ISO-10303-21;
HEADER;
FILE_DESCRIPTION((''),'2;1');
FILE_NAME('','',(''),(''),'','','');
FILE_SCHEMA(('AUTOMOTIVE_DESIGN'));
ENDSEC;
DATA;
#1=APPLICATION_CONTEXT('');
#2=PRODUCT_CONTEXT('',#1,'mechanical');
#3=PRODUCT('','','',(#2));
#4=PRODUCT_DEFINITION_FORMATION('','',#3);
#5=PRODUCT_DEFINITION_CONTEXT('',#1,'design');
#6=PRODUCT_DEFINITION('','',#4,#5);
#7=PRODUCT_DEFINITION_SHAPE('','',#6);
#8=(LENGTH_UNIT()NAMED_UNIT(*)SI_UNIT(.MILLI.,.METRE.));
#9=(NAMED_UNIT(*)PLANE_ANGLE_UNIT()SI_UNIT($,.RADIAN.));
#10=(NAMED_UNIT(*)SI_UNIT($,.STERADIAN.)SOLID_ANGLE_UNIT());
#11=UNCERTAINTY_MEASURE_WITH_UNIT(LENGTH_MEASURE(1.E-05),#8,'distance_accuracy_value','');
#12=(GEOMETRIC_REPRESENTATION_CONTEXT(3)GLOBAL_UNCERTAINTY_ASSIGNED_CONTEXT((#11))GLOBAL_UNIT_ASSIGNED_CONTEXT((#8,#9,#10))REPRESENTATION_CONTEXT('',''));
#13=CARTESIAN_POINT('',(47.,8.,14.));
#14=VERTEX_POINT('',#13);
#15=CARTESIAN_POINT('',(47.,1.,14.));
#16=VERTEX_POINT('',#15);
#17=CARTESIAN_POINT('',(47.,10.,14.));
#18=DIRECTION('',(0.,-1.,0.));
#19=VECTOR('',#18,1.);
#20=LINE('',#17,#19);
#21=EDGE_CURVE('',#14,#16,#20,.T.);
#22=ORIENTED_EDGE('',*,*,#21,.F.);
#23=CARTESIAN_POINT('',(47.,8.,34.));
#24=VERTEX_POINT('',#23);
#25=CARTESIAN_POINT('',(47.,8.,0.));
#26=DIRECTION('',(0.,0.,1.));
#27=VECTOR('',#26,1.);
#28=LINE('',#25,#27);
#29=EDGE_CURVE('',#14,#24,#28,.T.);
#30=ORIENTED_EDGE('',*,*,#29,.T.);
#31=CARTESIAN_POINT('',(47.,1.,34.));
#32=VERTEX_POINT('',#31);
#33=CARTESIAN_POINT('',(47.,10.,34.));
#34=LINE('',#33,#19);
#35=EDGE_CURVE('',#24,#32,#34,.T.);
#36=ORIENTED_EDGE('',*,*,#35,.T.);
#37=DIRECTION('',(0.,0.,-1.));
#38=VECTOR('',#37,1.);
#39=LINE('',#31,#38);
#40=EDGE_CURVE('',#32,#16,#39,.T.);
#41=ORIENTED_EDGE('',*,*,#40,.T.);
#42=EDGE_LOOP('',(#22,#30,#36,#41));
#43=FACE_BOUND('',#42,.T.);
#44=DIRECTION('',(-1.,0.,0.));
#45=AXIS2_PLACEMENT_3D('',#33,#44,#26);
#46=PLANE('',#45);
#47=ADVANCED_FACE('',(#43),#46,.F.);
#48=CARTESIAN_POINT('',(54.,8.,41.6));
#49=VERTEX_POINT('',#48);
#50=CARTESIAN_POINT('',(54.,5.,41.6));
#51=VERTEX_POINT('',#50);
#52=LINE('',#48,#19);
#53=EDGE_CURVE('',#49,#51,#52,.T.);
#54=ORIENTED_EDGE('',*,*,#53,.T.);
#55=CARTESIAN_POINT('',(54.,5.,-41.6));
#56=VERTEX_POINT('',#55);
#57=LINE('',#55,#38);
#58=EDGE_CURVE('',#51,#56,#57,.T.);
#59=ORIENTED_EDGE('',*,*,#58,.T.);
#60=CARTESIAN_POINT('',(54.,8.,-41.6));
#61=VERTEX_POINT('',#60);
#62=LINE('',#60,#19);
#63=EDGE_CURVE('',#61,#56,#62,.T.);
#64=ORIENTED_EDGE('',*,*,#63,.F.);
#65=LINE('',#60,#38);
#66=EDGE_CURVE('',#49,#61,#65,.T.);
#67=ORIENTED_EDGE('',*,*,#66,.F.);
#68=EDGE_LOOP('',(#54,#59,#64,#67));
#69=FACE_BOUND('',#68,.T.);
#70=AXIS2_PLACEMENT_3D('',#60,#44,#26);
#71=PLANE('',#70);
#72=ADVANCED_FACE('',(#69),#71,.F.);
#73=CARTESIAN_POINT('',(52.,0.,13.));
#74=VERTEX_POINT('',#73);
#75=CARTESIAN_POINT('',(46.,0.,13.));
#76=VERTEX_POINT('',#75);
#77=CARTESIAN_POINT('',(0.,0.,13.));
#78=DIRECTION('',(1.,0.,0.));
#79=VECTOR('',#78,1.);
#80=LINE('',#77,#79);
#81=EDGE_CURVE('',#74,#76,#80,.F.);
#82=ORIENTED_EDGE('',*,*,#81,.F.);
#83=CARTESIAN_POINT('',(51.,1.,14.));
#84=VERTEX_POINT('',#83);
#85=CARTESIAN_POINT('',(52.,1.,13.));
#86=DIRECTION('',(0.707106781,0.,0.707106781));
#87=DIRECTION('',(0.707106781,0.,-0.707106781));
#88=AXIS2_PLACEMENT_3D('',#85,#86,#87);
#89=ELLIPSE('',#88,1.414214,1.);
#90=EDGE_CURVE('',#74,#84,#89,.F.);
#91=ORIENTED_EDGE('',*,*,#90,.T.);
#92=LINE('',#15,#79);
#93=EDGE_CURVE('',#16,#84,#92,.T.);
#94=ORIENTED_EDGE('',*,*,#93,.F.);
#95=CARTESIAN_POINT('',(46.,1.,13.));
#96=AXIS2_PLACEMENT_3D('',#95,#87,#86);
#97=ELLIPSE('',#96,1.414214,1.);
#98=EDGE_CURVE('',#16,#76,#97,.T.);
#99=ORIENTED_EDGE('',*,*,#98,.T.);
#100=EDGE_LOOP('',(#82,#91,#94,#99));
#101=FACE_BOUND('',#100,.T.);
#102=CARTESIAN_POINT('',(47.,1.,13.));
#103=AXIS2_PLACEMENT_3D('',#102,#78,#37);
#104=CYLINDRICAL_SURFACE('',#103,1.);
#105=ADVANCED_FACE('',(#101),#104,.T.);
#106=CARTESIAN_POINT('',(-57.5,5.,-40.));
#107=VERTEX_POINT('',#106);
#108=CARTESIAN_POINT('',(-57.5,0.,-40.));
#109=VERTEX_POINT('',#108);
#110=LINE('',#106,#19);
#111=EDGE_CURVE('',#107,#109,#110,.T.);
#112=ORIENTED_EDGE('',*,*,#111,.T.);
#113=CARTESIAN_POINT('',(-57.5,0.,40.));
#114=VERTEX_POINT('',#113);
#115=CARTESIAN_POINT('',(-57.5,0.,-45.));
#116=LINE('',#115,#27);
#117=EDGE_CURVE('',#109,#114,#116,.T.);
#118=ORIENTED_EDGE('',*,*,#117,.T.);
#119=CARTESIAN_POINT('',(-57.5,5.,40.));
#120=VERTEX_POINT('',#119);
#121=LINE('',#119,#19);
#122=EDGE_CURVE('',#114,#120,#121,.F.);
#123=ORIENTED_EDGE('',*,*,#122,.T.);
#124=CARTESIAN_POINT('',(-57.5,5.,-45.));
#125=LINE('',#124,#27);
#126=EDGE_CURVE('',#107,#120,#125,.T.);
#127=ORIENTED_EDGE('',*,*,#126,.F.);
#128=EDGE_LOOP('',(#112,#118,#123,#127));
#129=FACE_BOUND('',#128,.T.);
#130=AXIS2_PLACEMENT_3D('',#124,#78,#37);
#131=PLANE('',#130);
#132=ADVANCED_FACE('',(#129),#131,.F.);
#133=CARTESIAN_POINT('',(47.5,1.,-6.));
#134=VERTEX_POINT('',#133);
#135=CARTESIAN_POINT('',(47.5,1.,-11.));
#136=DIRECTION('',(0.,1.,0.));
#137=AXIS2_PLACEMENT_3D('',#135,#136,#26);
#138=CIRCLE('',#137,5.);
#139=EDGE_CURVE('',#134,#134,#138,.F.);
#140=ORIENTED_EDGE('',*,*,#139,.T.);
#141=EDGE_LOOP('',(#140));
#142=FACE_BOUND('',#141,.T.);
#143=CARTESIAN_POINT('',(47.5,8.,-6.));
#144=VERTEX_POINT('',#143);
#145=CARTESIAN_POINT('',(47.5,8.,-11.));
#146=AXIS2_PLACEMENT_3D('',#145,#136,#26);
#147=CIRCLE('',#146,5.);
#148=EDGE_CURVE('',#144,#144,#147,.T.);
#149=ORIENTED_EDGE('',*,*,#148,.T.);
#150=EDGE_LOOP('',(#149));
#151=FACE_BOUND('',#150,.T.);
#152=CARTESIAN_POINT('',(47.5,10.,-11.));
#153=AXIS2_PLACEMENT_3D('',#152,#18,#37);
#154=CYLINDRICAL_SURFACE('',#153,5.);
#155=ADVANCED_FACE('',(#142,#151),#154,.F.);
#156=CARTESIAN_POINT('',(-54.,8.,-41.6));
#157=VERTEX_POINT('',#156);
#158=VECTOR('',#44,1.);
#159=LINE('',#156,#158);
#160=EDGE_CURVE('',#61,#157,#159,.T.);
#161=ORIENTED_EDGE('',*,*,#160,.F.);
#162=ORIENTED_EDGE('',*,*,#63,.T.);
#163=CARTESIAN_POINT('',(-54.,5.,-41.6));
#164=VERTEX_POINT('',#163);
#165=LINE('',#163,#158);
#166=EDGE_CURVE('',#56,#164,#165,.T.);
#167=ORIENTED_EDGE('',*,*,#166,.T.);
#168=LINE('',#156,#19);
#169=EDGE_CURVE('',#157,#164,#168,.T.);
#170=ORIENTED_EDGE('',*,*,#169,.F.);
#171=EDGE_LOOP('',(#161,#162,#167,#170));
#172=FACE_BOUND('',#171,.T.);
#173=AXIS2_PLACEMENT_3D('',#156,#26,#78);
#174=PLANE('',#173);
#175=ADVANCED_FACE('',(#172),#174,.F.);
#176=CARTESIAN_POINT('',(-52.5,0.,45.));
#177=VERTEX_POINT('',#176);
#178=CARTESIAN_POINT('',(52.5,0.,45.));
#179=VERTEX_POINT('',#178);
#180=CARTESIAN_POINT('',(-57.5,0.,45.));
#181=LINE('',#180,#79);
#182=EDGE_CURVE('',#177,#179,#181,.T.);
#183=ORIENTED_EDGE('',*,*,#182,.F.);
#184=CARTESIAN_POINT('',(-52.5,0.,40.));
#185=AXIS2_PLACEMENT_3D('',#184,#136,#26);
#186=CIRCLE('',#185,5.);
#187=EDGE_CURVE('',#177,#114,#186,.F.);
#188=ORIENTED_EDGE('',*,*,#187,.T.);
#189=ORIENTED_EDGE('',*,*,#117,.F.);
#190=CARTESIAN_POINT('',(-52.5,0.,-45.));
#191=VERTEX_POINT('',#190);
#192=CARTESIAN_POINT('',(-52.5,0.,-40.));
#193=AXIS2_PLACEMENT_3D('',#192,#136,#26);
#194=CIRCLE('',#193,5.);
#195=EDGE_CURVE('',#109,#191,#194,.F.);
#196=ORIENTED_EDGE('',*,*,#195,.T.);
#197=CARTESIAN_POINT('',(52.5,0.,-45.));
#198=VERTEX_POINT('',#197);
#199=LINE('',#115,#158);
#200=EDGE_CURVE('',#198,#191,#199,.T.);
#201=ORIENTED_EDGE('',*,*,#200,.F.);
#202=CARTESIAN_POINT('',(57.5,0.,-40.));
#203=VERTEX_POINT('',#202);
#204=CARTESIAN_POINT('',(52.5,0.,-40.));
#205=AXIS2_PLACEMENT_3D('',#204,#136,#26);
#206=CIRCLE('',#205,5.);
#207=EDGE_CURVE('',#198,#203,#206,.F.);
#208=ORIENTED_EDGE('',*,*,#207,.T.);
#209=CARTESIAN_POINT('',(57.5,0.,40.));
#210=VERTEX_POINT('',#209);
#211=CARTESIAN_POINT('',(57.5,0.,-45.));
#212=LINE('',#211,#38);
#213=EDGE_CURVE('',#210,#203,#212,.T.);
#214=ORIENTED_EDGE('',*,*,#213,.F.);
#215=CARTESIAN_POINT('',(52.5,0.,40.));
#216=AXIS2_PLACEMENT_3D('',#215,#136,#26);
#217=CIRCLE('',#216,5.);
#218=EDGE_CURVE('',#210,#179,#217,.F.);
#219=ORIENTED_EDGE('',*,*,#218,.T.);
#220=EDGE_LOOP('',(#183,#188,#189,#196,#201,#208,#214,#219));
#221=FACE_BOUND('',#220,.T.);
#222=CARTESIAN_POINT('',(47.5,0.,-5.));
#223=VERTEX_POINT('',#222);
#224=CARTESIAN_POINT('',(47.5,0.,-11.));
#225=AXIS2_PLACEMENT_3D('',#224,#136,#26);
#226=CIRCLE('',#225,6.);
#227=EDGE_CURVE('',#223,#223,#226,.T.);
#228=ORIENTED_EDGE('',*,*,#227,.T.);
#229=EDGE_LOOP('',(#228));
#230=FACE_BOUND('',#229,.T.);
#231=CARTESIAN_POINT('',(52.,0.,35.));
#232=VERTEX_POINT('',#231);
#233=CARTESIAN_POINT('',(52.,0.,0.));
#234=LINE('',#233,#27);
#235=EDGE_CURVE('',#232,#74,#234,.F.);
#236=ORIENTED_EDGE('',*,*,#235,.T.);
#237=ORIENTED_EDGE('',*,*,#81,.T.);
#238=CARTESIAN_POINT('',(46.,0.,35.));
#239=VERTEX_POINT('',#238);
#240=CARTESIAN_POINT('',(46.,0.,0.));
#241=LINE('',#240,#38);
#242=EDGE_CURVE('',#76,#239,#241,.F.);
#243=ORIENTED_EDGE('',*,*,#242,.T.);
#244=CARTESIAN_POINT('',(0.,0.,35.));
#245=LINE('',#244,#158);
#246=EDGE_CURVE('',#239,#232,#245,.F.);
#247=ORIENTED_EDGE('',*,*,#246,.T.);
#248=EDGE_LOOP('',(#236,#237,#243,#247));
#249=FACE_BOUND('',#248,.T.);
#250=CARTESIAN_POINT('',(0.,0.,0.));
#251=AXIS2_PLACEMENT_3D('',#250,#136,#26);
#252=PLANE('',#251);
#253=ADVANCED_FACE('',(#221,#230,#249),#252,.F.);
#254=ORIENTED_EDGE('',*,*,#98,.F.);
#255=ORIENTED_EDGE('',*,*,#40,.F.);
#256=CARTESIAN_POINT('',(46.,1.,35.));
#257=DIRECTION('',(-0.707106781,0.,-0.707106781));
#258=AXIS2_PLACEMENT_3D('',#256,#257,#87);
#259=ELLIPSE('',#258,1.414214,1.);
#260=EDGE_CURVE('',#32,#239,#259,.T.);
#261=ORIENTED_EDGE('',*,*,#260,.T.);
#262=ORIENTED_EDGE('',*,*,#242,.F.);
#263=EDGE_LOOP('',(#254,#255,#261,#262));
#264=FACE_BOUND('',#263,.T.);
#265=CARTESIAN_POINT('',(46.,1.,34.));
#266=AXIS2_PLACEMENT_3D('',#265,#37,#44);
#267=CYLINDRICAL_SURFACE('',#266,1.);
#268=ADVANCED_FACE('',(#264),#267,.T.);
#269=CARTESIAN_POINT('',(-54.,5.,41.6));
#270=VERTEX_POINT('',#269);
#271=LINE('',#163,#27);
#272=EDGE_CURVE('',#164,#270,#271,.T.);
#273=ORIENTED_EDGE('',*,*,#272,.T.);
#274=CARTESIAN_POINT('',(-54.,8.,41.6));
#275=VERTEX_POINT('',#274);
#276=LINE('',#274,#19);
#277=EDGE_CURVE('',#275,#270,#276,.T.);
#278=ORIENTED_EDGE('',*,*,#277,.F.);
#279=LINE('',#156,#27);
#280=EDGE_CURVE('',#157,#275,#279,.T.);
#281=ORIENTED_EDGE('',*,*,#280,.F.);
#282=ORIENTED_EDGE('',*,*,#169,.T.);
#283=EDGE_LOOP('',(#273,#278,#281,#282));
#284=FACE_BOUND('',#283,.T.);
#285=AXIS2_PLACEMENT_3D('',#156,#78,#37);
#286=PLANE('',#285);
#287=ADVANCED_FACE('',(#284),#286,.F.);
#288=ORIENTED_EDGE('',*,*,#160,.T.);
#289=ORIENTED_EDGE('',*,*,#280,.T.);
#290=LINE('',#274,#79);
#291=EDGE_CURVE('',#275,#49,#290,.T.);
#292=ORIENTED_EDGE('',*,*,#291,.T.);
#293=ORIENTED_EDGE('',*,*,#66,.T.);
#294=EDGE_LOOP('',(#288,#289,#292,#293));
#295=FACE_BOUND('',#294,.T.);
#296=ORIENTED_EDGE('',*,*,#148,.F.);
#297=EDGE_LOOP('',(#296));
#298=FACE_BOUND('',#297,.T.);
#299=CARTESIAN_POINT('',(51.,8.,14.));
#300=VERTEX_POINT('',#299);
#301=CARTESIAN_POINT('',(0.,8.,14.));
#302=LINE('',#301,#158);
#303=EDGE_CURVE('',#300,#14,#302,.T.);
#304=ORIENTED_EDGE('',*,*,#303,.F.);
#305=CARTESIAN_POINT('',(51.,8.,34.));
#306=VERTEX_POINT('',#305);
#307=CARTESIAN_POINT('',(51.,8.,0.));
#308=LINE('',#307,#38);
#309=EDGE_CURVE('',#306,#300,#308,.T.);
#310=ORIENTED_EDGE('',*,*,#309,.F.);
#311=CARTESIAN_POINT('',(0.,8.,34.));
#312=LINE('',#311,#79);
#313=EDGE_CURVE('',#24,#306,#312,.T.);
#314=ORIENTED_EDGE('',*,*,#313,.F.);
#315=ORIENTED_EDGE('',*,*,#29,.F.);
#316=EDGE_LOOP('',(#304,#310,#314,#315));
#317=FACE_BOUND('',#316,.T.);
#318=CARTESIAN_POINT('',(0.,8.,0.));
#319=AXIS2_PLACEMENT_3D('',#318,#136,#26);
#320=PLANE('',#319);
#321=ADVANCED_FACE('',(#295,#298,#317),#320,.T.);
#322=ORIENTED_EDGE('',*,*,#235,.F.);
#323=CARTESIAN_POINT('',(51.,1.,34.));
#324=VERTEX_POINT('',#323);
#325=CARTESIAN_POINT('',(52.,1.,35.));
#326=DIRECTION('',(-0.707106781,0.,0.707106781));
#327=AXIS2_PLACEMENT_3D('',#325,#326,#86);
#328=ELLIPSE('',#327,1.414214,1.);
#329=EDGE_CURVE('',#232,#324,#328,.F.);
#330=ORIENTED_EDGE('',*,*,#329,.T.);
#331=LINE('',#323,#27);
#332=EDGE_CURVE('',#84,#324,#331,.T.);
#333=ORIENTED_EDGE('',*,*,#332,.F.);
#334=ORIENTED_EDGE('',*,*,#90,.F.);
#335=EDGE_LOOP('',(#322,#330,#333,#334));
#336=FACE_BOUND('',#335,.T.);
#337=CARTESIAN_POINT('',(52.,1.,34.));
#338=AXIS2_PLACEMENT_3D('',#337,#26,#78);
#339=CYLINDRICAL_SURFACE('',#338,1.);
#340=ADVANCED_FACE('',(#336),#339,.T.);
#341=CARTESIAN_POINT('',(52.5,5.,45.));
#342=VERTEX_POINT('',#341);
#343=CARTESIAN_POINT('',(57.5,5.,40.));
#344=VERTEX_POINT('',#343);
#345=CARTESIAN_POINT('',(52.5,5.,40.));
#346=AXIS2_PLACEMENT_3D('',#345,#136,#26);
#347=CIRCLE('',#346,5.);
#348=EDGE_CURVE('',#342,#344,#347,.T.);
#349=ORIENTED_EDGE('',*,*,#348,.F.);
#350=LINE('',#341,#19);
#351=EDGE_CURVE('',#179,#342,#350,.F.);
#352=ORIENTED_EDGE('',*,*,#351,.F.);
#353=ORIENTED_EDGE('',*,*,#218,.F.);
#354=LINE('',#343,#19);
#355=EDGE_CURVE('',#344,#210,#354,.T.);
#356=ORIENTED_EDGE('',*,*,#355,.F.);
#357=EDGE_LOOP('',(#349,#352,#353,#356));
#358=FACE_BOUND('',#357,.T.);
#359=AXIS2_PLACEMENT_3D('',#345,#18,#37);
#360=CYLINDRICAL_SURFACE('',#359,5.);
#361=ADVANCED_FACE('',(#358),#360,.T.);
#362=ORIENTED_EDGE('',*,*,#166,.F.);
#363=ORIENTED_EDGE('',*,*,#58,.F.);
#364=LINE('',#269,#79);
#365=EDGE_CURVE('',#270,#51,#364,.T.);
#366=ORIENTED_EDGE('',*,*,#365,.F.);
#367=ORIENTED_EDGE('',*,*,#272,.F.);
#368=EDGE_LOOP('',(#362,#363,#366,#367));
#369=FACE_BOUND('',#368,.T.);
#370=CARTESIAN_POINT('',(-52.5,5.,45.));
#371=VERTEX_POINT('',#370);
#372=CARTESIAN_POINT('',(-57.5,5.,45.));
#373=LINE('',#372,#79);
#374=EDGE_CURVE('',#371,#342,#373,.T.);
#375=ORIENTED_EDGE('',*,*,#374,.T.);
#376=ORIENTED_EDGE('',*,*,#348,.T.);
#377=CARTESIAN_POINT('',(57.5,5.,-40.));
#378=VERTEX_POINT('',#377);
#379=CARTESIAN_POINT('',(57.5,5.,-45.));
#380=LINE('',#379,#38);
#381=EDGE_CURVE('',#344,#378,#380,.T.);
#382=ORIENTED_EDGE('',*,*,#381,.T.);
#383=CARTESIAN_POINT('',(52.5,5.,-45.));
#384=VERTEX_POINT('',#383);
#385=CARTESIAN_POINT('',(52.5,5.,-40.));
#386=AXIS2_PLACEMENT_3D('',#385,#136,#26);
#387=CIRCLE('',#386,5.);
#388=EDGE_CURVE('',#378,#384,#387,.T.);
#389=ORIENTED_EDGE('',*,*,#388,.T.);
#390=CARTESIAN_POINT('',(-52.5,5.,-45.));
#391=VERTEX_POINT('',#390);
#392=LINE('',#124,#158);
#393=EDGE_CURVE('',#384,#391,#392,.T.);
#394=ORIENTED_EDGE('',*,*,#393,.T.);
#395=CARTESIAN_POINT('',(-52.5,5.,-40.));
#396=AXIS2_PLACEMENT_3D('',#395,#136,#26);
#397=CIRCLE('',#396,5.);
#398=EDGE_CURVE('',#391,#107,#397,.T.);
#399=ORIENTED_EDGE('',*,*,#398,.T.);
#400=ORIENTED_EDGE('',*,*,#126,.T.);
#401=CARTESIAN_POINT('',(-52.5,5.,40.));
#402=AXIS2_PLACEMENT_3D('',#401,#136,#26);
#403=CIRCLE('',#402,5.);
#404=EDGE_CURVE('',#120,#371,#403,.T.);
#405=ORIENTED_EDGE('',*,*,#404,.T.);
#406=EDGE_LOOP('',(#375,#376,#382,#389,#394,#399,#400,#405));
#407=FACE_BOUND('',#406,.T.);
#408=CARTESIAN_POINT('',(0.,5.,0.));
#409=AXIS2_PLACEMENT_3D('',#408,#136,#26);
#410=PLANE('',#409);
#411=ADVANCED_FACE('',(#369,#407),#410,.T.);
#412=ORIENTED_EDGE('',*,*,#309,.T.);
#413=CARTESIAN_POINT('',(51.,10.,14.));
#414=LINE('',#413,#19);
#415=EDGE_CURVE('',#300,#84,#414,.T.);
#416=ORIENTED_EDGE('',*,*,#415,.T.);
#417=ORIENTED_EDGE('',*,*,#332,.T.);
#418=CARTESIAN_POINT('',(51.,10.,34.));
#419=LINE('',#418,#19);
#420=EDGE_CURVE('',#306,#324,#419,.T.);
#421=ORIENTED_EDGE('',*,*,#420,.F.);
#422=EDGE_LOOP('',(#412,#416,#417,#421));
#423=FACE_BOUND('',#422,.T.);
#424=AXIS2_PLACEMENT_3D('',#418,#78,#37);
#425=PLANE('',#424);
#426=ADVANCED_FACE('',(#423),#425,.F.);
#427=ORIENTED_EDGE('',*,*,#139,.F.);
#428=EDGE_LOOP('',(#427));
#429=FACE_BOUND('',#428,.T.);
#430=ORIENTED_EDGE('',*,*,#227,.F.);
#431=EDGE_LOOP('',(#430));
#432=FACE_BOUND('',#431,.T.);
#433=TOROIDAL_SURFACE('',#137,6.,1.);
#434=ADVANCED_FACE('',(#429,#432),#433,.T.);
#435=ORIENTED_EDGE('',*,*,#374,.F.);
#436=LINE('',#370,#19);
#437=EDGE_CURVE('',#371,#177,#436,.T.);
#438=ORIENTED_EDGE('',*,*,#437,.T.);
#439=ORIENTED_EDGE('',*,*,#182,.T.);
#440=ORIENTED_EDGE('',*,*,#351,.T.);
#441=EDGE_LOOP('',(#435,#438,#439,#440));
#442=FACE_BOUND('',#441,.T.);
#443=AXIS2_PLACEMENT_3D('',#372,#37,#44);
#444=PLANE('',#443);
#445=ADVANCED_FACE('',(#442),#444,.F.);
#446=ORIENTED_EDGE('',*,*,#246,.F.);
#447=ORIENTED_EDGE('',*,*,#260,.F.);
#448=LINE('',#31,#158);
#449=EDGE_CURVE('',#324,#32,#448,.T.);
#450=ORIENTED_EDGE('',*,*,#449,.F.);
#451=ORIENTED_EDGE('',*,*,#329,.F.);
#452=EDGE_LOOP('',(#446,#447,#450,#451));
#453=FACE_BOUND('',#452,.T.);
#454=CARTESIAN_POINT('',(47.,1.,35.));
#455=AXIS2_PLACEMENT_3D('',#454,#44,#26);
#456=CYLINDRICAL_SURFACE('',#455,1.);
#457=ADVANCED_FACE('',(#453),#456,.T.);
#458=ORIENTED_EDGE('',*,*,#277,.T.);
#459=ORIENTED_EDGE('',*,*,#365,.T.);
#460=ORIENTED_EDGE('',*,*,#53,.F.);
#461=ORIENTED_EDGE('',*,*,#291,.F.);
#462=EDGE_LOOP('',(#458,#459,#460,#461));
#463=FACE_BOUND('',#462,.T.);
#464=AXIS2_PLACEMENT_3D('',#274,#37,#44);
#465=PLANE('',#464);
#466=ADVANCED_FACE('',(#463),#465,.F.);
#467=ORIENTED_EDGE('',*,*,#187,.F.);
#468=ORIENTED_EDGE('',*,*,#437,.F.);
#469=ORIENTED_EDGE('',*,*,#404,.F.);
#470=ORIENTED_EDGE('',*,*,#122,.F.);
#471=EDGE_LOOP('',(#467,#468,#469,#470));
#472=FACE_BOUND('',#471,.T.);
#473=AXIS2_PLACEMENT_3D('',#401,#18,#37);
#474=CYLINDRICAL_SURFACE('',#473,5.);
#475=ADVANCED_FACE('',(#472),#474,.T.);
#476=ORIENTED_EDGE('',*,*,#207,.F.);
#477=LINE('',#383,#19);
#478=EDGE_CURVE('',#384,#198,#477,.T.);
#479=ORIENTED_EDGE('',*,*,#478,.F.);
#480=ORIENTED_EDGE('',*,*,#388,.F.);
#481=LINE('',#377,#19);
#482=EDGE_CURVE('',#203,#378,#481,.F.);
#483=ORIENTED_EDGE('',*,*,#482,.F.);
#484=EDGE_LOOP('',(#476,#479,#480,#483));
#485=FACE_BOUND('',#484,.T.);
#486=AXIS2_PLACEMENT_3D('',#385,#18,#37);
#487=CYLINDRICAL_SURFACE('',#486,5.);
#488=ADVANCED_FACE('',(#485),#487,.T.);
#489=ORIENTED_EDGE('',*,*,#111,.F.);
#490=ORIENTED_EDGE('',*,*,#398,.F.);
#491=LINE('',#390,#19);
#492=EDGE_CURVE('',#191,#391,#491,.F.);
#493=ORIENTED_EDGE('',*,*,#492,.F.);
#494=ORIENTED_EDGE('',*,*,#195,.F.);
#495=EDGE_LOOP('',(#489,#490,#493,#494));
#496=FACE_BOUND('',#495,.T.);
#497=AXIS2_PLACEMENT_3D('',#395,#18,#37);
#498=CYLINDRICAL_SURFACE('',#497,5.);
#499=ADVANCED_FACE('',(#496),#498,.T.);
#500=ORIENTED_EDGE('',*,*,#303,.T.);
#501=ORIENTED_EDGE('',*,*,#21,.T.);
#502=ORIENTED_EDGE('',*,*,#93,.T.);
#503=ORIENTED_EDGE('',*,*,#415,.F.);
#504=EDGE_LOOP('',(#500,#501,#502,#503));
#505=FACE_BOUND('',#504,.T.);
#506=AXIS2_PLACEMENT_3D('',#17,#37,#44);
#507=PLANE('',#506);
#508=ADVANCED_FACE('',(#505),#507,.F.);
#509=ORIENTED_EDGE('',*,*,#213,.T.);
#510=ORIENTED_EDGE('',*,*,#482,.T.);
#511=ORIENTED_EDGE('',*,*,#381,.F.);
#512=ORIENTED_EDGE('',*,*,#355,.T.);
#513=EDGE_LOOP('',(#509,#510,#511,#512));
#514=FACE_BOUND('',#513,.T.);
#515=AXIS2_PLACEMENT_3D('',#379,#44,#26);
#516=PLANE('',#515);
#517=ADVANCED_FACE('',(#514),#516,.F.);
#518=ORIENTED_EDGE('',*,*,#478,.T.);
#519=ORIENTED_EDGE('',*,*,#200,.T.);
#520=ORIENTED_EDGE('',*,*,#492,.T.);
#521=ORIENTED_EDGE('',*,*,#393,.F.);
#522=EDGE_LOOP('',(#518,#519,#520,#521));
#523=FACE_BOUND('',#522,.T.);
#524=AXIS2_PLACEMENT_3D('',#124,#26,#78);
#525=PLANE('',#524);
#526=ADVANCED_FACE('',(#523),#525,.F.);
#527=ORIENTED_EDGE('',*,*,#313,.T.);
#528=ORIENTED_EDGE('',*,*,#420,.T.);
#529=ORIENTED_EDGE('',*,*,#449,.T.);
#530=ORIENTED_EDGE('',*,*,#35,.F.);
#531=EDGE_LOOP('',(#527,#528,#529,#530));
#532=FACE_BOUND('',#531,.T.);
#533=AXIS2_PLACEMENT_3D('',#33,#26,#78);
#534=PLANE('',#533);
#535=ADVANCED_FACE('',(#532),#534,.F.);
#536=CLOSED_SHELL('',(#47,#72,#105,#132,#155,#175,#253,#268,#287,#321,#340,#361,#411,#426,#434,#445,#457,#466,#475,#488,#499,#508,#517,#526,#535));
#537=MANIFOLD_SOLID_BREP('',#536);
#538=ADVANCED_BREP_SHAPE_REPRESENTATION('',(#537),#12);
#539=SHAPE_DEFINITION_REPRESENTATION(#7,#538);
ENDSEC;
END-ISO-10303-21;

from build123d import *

# Parameters (mm, degrees)
SKETCH1_W           = 115
SKETCH1_H           = 90
BOSS_EXTRUDE1_DEPTH = 5
SKETCH2_W           = 108
SKETCH2_H           = 83.2
BOSS_EXTRUDE2_DEPTH = 3
FILLET1_R           = 5
SKETCH3_W           = 4
SKETCH3_H           = 20
CUT_EXTRUDE1_DEPTH  = 10
FILLET2_R           = 1
SKETCH4_R           = 5
CUT_EXTRUDE2_DEPTH  = 10
FILLET3_R           = 1


with BuildPart() as part:
    # Sketch1 → Boss-Extrude1 (new body)
    with BuildSketch(Plane(origin=(0, 0, 0), x_dir=(1, 0, 0), z_dir=(0, 1, 0))):
        Rectangle(SKETCH1_W, SKETCH1_H)
    extrude(amount=BOSS_EXTRUDE1_DEPTH)

    # Sketch2 → Boss-Extrude2 (add)
    with BuildSketch(Plane(origin=(0, 5, 0), x_dir=(1, 0, 0), z_dir=(0, 1, 0))):
        Rectangle(SKETCH2_W, SKETCH2_H)
    extrude(amount=BOSS_EXTRUDE2_DEPTH)

    # Fillet1
    fillet1_edges = [part.edges().sort_by_distance(p)[0] for p in [
        (57.5, 2.5, 45),
        (-57.5, 2.5, 45),
        (-57.5, 2.5, -45),
        (57.5, 2.5, -45),
    ]]
    fillet(fillet1_edges, radius=FILLET1_R)

    # Sketch3 → Cut-Extrude1 (cut)
    with BuildSketch(Plane(origin=(0, 0, 0), x_dir=(-1, 0, 0), z_dir=(0, -1, 0))):
        with Locations((-49, -24)):
            Rectangle(SKETCH3_W, SKETCH3_H)
    extrude(amount=-CUT_EXTRUDE1_DEPTH, mode=Mode.SUBTRACT)

    # Fillet2
    fillet2_edges = [part.edges().sort_by_distance(p)[0] for p in [
        (47, 0, 24),
        (49, 0, 14),
        (51, 0, 24),
        (49, 0, 34),
    ]]
    fillet(fillet2_edges, radius=FILLET2_R)

    # Sketch4 → Cut-Extrude2 (cut)
    with BuildSketch(Plane.XZ):
        with Locations((47.5, -11)):
            Circle(SKETCH4_R)
    extrude(amount=-CUT_EXTRUDE2_DEPTH, mode=Mode.SUBTRACT)

    # Fillet3
    fillet3_edges = [part.edges().sort_by_distance(p)[0] for p in [
        (42.5, 0, -11),
    ]]
    fillet(fillet3_edges, radius=FILLET3_R)


solid = part.part
